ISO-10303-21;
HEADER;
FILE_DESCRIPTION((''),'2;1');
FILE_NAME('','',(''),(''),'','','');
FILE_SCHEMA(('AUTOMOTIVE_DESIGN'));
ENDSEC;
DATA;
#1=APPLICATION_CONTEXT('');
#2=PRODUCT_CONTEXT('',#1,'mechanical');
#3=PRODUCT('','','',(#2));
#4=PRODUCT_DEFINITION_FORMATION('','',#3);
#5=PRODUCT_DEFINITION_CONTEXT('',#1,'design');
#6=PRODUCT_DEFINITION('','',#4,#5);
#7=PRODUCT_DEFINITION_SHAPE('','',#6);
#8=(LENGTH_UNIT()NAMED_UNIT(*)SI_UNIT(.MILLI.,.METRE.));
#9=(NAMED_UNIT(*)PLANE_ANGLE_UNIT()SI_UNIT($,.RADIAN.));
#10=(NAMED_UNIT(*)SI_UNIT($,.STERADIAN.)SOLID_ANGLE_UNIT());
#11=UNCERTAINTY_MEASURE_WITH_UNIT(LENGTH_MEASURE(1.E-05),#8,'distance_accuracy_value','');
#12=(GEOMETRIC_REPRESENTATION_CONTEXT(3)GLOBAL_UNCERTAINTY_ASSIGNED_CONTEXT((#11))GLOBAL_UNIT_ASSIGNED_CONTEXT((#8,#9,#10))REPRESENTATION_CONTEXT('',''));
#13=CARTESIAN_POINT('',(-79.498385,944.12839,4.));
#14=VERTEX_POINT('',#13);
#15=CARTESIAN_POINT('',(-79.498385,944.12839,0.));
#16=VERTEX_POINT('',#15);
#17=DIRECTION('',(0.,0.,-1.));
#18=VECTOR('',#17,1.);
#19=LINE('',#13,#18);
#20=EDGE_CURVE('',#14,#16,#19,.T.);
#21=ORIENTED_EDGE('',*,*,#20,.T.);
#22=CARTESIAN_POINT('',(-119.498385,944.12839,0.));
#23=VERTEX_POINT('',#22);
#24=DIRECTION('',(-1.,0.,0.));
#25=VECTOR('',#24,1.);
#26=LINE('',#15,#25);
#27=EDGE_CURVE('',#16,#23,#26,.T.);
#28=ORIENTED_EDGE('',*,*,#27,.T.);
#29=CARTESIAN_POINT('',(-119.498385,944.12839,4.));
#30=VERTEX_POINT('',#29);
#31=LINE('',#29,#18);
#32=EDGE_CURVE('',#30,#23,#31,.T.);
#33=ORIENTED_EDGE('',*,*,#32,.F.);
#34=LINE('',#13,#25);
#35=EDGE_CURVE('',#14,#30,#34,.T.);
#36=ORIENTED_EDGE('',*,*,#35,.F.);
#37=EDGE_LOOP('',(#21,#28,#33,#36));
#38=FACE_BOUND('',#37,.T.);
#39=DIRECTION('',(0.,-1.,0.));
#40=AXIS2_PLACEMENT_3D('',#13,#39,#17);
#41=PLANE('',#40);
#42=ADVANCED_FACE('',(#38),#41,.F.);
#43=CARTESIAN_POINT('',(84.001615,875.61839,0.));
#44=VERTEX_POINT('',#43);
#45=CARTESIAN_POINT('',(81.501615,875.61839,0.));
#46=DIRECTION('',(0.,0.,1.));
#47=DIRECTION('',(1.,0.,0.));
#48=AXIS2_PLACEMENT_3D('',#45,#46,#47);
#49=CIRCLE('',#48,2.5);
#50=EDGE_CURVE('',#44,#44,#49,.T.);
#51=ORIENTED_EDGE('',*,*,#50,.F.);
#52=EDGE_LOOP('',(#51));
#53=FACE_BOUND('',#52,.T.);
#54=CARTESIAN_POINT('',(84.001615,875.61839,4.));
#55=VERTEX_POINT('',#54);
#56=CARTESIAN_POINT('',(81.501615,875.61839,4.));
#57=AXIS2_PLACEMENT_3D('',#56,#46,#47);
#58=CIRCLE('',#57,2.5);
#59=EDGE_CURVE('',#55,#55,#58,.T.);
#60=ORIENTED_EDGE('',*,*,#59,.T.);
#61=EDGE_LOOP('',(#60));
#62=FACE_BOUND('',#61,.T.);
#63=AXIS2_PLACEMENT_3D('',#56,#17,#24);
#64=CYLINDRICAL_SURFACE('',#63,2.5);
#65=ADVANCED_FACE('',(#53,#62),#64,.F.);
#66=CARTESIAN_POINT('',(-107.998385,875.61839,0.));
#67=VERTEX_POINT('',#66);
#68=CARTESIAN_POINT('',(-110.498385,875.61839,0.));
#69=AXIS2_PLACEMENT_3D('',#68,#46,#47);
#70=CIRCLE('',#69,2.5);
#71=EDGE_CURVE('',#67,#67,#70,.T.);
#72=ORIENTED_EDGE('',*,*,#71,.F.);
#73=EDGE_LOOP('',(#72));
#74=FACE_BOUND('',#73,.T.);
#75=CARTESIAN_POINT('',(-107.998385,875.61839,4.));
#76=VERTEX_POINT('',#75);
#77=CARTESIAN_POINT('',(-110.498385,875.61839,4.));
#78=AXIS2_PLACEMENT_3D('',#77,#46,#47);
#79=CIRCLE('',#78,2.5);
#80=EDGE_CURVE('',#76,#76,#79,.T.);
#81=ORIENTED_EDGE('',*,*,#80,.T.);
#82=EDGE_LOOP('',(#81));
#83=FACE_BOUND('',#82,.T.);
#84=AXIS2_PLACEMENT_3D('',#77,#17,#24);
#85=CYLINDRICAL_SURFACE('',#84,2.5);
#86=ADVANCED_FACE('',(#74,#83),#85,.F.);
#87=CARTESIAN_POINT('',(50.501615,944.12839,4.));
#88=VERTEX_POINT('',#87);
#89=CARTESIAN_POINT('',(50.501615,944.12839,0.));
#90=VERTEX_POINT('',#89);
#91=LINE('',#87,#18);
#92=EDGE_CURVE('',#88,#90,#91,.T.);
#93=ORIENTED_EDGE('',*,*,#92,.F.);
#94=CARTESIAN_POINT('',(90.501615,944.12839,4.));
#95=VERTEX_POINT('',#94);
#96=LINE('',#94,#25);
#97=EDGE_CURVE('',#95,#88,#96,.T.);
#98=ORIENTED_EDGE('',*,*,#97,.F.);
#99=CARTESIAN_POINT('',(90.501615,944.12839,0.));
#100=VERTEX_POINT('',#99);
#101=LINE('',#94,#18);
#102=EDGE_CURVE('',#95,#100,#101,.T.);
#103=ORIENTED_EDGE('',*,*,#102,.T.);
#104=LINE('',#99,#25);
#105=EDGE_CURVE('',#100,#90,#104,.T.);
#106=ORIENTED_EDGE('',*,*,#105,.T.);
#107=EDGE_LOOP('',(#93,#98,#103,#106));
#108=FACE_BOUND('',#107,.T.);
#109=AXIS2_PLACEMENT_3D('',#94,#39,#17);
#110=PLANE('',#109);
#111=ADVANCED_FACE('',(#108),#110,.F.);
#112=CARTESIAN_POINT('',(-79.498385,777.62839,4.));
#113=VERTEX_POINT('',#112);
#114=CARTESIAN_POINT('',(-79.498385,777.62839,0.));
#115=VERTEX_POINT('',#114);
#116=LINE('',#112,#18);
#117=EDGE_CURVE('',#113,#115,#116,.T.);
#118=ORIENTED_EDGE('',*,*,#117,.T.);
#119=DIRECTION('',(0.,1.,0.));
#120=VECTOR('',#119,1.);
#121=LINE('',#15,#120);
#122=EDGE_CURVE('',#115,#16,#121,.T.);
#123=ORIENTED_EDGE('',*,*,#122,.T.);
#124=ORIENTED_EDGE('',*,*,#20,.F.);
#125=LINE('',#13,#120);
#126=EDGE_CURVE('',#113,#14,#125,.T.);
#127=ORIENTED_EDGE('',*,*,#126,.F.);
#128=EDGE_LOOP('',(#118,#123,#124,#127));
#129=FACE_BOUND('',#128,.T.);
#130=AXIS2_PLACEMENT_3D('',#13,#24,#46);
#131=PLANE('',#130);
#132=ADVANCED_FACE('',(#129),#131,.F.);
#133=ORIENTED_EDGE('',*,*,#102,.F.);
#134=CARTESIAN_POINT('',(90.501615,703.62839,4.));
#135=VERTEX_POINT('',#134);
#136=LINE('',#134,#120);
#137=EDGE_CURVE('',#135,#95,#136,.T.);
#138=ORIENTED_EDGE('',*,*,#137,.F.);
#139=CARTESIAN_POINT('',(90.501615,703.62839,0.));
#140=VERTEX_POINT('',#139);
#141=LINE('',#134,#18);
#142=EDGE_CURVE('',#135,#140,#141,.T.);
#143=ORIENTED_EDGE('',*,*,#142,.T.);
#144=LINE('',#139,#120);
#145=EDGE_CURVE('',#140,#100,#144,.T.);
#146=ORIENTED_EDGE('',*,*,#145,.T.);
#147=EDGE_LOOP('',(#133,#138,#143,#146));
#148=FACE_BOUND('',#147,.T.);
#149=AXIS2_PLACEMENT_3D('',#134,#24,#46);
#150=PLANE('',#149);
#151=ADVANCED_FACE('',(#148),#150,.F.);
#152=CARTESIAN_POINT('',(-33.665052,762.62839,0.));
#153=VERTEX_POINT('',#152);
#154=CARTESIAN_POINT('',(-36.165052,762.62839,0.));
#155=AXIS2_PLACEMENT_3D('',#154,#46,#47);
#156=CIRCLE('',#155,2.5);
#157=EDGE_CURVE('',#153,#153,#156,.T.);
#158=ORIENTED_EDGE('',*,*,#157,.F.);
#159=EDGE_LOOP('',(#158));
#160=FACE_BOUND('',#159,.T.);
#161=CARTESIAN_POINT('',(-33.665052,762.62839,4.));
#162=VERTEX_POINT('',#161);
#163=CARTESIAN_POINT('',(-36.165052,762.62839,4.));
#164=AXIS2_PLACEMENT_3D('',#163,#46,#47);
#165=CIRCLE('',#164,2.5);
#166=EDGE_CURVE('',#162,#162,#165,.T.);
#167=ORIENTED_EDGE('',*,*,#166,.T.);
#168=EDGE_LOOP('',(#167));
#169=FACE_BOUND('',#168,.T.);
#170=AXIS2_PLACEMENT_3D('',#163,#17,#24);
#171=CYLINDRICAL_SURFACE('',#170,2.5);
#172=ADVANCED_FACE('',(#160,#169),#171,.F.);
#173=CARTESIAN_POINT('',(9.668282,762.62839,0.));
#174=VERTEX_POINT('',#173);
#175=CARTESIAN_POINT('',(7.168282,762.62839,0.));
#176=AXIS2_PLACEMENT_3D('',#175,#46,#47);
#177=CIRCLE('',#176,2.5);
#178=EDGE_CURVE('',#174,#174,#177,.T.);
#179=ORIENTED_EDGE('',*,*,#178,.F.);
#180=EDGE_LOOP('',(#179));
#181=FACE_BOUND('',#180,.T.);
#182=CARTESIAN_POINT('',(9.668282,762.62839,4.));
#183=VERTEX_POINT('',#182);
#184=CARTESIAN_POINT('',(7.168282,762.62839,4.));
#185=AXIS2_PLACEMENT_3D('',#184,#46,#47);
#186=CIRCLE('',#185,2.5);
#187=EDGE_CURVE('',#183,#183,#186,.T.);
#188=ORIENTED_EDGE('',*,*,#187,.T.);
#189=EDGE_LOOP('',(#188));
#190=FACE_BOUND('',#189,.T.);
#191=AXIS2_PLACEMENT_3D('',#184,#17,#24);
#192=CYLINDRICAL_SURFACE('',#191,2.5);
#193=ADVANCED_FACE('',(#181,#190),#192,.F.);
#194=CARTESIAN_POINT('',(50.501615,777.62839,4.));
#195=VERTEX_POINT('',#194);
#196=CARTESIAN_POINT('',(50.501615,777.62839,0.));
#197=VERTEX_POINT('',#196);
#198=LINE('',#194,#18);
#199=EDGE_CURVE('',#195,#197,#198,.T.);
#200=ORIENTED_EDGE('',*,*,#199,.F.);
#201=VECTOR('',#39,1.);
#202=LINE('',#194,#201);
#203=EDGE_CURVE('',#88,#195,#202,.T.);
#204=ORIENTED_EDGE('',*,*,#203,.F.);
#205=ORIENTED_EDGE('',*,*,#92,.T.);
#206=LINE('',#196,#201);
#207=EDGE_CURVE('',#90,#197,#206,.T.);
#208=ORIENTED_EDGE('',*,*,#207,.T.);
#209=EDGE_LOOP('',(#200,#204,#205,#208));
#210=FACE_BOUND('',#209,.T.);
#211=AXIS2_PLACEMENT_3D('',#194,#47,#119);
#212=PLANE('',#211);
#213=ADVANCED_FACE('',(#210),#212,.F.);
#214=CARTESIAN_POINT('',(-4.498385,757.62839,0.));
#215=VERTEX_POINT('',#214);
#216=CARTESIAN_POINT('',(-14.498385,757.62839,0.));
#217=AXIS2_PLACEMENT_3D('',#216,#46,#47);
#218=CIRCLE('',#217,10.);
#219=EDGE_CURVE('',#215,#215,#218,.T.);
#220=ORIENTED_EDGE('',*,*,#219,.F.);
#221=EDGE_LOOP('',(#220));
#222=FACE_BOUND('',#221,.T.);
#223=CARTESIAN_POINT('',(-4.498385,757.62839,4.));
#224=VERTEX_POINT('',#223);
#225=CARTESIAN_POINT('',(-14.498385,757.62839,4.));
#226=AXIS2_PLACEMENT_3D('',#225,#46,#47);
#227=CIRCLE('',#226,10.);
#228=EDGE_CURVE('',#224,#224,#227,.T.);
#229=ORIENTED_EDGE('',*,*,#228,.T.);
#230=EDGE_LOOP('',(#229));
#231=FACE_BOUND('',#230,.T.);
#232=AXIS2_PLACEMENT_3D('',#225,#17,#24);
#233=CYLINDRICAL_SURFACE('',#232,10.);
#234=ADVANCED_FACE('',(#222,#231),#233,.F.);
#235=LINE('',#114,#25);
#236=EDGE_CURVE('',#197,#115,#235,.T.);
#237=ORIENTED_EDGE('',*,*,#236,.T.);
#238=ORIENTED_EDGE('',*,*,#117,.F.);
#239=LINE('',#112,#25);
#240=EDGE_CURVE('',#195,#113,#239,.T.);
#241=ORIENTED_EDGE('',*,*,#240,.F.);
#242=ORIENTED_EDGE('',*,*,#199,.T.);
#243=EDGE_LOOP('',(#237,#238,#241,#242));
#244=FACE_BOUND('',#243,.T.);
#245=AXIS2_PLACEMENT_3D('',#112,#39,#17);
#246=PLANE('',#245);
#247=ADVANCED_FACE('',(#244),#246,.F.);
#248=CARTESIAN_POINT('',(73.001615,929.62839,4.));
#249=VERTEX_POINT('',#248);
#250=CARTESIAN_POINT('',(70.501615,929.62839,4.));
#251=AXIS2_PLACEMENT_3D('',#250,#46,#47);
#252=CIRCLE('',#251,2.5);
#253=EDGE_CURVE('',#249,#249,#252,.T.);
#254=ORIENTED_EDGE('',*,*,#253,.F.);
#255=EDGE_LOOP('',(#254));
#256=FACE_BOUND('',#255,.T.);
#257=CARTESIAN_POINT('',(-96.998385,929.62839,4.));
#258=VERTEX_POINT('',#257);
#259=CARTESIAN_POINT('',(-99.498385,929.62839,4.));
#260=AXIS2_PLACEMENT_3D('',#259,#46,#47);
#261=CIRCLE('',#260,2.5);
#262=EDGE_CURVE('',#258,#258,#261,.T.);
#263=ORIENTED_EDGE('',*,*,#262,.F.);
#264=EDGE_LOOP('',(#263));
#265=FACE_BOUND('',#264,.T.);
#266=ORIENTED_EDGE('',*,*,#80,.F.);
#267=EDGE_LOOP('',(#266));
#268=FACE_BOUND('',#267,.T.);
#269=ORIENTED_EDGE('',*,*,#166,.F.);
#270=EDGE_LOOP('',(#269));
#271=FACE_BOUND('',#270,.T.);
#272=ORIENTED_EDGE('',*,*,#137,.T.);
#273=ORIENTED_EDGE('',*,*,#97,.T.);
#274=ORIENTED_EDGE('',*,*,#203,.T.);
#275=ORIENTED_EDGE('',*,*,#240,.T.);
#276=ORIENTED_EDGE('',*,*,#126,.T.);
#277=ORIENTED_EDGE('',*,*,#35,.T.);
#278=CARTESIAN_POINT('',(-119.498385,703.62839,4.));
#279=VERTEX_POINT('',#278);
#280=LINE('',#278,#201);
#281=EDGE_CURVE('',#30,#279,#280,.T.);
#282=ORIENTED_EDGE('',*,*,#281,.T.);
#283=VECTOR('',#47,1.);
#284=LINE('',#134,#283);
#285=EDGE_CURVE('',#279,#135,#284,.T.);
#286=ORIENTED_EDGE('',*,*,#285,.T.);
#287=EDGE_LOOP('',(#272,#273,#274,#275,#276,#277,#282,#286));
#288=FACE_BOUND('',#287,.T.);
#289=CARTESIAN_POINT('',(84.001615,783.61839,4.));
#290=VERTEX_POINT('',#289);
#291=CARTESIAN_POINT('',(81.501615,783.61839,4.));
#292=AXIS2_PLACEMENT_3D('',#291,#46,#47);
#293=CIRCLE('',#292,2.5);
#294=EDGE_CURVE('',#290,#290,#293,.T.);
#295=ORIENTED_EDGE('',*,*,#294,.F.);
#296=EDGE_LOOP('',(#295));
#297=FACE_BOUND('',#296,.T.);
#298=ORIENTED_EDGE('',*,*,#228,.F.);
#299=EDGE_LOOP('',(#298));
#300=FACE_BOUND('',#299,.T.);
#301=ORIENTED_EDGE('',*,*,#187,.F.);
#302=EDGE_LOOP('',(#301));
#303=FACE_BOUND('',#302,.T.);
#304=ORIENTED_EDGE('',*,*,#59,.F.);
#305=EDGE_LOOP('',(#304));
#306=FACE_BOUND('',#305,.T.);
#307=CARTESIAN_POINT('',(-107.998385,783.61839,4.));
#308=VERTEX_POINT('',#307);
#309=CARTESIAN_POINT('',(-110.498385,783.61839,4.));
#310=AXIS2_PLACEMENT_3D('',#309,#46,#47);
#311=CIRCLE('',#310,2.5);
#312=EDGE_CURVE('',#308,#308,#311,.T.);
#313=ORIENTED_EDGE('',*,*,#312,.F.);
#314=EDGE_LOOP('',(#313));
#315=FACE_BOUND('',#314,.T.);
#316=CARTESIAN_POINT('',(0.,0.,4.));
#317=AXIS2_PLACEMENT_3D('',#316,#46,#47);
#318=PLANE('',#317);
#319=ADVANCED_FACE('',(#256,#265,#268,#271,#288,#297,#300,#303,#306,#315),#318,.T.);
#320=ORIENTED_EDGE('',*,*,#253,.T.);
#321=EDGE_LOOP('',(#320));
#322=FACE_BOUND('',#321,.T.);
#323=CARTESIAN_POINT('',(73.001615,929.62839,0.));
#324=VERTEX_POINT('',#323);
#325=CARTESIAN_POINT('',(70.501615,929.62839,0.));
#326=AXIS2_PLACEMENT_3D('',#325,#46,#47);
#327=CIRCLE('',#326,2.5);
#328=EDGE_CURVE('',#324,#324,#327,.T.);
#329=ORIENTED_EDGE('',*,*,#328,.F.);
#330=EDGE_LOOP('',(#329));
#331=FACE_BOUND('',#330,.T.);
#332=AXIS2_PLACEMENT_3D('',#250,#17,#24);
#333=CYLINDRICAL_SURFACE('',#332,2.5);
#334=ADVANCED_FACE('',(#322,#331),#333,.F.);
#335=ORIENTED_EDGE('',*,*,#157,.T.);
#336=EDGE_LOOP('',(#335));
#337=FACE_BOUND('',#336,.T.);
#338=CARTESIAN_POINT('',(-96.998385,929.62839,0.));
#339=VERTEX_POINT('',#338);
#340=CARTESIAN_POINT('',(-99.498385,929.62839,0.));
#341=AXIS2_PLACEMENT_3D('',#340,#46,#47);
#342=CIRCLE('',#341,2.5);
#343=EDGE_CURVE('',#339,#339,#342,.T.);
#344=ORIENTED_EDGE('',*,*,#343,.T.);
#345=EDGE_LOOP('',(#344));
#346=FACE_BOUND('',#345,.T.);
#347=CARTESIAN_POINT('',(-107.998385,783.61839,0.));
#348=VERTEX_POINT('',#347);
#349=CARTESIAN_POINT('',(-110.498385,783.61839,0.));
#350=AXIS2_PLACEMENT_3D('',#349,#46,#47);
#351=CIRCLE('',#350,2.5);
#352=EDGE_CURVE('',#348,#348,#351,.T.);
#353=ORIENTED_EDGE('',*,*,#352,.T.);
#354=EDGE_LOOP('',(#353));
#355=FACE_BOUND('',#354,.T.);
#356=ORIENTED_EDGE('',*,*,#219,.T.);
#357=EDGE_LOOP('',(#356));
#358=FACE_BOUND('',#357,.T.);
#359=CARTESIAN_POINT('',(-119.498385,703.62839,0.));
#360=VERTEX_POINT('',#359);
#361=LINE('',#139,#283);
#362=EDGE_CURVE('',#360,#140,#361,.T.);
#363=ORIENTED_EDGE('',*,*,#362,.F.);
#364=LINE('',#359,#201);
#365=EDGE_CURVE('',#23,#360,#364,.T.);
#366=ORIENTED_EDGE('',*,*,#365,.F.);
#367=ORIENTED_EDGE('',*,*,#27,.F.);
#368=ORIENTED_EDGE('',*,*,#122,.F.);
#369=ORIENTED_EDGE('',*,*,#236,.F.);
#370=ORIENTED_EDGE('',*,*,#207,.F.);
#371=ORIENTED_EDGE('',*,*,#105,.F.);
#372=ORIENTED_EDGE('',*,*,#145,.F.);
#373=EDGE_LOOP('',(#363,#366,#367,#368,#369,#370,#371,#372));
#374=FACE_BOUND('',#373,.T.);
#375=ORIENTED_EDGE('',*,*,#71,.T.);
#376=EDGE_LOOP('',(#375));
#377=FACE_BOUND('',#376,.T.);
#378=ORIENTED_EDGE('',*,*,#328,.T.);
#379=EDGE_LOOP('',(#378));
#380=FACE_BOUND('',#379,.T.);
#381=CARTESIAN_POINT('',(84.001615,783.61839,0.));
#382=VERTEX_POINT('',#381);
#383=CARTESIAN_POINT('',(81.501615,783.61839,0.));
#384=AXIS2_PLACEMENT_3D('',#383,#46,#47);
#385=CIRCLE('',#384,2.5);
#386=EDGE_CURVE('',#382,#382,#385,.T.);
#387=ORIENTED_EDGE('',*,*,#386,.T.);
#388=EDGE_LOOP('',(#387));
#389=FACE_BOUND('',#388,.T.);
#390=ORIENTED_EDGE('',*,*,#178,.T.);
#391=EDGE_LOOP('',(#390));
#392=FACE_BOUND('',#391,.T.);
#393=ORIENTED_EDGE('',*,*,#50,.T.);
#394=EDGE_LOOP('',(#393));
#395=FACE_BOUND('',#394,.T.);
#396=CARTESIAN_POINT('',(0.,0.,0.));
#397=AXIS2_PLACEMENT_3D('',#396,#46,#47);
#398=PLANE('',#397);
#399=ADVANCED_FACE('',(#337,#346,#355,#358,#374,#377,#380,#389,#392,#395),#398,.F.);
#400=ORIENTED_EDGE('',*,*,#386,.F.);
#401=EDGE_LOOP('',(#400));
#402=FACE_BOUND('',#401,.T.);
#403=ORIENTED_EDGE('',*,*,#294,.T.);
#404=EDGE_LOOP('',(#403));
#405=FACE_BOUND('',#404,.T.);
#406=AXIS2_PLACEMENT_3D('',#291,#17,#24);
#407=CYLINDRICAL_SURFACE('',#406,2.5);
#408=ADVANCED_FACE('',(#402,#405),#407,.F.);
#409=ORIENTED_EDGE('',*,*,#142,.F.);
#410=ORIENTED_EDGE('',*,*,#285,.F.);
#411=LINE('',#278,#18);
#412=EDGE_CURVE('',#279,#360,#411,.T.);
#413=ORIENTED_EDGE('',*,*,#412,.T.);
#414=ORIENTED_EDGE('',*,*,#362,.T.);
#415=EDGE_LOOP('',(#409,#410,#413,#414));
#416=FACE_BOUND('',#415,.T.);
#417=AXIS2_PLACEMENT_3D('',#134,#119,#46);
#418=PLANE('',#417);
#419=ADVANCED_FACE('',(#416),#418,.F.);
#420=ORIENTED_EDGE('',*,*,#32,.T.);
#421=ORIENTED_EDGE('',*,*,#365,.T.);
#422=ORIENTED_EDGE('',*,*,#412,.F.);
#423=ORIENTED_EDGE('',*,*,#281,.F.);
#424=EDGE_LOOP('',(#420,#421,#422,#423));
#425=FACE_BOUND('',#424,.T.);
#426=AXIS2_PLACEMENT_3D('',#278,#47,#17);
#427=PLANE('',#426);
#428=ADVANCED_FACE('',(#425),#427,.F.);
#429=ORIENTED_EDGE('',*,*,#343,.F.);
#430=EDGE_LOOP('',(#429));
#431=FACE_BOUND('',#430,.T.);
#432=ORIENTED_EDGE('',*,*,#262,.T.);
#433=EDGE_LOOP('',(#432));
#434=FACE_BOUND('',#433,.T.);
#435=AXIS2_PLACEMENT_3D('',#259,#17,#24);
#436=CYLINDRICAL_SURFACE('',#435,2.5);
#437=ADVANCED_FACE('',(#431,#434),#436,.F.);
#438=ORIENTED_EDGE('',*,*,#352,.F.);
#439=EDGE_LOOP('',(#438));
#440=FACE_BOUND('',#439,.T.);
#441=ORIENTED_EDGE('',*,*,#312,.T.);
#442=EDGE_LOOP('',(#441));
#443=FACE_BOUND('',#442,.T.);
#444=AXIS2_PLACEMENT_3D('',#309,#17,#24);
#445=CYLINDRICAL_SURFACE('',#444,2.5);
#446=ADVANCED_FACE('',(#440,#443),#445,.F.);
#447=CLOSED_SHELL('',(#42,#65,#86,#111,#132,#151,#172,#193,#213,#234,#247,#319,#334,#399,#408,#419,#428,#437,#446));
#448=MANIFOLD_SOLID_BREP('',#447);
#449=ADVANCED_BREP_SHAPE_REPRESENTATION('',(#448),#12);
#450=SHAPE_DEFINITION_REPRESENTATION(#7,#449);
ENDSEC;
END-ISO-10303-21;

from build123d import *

# Parameters (mm, degrees)
CROQUIS1_R              = 2.5
CROQUIS1_R_2            = 10
SALIENTE_EXTRUIR1_DEPTH = 4


with BuildPart() as part:
    # Croquis1 → Saliente-Extruir1 (new body)
    with BuildSketch(Plane.XY):
        Polygon((-79.498385096, 944.128389678), (-79.498385096, 777.628389678), (50.501614904, 777.628389678), (50.501614904, 944.128389678), (90.501614904, 944.128389678), (90.501614904, 703.628389678), (-119.498385096, 703.628389678), (-119.498385096, 944.128389678), align=None)
        with Locations((70.501614904, 929.628389678)):
            Circle(CROQUIS1_R, mode=Mode.SUBTRACT)
        with Locations((81.501614904, 875.618389678)):
            Circle(CROQUIS1_R, mode=Mode.SUBTRACT)
        with Locations((81.501614904, 783.618389678)):
            Circle(CROQUIS1_R, mode=Mode.SUBTRACT)
        with Locations((-36.165051763, 762.628389678)):
            Circle(CROQUIS1_R, mode=Mode.SUBTRACT)
        with Locations((-110.498385096, 783.618389678)):
            Circle(CROQUIS1_R, mode=Mode.SUBTRACT)
        with Locations((-110.498385096, 875.618389678)):
            Circle(CROQUIS1_R, mode=Mode.SUBTRACT)
        with Locations((-99.498385096, 929.628389678)):
            Circle(CROQUIS1_R, mode=Mode.SUBTRACT)
        with Locations((7.168281571, 762.628389678)):
            Circle(CROQUIS1_R, mode=Mode.SUBTRACT)
        with Locations((-14.498385096, 757.628389678)):
            Circle(CROQUIS1_R_2, mode=Mode.SUBTRACT)
    extrude(amount=SALIENTE_EXTRUIR1_DEPTH)


solid = part.part
